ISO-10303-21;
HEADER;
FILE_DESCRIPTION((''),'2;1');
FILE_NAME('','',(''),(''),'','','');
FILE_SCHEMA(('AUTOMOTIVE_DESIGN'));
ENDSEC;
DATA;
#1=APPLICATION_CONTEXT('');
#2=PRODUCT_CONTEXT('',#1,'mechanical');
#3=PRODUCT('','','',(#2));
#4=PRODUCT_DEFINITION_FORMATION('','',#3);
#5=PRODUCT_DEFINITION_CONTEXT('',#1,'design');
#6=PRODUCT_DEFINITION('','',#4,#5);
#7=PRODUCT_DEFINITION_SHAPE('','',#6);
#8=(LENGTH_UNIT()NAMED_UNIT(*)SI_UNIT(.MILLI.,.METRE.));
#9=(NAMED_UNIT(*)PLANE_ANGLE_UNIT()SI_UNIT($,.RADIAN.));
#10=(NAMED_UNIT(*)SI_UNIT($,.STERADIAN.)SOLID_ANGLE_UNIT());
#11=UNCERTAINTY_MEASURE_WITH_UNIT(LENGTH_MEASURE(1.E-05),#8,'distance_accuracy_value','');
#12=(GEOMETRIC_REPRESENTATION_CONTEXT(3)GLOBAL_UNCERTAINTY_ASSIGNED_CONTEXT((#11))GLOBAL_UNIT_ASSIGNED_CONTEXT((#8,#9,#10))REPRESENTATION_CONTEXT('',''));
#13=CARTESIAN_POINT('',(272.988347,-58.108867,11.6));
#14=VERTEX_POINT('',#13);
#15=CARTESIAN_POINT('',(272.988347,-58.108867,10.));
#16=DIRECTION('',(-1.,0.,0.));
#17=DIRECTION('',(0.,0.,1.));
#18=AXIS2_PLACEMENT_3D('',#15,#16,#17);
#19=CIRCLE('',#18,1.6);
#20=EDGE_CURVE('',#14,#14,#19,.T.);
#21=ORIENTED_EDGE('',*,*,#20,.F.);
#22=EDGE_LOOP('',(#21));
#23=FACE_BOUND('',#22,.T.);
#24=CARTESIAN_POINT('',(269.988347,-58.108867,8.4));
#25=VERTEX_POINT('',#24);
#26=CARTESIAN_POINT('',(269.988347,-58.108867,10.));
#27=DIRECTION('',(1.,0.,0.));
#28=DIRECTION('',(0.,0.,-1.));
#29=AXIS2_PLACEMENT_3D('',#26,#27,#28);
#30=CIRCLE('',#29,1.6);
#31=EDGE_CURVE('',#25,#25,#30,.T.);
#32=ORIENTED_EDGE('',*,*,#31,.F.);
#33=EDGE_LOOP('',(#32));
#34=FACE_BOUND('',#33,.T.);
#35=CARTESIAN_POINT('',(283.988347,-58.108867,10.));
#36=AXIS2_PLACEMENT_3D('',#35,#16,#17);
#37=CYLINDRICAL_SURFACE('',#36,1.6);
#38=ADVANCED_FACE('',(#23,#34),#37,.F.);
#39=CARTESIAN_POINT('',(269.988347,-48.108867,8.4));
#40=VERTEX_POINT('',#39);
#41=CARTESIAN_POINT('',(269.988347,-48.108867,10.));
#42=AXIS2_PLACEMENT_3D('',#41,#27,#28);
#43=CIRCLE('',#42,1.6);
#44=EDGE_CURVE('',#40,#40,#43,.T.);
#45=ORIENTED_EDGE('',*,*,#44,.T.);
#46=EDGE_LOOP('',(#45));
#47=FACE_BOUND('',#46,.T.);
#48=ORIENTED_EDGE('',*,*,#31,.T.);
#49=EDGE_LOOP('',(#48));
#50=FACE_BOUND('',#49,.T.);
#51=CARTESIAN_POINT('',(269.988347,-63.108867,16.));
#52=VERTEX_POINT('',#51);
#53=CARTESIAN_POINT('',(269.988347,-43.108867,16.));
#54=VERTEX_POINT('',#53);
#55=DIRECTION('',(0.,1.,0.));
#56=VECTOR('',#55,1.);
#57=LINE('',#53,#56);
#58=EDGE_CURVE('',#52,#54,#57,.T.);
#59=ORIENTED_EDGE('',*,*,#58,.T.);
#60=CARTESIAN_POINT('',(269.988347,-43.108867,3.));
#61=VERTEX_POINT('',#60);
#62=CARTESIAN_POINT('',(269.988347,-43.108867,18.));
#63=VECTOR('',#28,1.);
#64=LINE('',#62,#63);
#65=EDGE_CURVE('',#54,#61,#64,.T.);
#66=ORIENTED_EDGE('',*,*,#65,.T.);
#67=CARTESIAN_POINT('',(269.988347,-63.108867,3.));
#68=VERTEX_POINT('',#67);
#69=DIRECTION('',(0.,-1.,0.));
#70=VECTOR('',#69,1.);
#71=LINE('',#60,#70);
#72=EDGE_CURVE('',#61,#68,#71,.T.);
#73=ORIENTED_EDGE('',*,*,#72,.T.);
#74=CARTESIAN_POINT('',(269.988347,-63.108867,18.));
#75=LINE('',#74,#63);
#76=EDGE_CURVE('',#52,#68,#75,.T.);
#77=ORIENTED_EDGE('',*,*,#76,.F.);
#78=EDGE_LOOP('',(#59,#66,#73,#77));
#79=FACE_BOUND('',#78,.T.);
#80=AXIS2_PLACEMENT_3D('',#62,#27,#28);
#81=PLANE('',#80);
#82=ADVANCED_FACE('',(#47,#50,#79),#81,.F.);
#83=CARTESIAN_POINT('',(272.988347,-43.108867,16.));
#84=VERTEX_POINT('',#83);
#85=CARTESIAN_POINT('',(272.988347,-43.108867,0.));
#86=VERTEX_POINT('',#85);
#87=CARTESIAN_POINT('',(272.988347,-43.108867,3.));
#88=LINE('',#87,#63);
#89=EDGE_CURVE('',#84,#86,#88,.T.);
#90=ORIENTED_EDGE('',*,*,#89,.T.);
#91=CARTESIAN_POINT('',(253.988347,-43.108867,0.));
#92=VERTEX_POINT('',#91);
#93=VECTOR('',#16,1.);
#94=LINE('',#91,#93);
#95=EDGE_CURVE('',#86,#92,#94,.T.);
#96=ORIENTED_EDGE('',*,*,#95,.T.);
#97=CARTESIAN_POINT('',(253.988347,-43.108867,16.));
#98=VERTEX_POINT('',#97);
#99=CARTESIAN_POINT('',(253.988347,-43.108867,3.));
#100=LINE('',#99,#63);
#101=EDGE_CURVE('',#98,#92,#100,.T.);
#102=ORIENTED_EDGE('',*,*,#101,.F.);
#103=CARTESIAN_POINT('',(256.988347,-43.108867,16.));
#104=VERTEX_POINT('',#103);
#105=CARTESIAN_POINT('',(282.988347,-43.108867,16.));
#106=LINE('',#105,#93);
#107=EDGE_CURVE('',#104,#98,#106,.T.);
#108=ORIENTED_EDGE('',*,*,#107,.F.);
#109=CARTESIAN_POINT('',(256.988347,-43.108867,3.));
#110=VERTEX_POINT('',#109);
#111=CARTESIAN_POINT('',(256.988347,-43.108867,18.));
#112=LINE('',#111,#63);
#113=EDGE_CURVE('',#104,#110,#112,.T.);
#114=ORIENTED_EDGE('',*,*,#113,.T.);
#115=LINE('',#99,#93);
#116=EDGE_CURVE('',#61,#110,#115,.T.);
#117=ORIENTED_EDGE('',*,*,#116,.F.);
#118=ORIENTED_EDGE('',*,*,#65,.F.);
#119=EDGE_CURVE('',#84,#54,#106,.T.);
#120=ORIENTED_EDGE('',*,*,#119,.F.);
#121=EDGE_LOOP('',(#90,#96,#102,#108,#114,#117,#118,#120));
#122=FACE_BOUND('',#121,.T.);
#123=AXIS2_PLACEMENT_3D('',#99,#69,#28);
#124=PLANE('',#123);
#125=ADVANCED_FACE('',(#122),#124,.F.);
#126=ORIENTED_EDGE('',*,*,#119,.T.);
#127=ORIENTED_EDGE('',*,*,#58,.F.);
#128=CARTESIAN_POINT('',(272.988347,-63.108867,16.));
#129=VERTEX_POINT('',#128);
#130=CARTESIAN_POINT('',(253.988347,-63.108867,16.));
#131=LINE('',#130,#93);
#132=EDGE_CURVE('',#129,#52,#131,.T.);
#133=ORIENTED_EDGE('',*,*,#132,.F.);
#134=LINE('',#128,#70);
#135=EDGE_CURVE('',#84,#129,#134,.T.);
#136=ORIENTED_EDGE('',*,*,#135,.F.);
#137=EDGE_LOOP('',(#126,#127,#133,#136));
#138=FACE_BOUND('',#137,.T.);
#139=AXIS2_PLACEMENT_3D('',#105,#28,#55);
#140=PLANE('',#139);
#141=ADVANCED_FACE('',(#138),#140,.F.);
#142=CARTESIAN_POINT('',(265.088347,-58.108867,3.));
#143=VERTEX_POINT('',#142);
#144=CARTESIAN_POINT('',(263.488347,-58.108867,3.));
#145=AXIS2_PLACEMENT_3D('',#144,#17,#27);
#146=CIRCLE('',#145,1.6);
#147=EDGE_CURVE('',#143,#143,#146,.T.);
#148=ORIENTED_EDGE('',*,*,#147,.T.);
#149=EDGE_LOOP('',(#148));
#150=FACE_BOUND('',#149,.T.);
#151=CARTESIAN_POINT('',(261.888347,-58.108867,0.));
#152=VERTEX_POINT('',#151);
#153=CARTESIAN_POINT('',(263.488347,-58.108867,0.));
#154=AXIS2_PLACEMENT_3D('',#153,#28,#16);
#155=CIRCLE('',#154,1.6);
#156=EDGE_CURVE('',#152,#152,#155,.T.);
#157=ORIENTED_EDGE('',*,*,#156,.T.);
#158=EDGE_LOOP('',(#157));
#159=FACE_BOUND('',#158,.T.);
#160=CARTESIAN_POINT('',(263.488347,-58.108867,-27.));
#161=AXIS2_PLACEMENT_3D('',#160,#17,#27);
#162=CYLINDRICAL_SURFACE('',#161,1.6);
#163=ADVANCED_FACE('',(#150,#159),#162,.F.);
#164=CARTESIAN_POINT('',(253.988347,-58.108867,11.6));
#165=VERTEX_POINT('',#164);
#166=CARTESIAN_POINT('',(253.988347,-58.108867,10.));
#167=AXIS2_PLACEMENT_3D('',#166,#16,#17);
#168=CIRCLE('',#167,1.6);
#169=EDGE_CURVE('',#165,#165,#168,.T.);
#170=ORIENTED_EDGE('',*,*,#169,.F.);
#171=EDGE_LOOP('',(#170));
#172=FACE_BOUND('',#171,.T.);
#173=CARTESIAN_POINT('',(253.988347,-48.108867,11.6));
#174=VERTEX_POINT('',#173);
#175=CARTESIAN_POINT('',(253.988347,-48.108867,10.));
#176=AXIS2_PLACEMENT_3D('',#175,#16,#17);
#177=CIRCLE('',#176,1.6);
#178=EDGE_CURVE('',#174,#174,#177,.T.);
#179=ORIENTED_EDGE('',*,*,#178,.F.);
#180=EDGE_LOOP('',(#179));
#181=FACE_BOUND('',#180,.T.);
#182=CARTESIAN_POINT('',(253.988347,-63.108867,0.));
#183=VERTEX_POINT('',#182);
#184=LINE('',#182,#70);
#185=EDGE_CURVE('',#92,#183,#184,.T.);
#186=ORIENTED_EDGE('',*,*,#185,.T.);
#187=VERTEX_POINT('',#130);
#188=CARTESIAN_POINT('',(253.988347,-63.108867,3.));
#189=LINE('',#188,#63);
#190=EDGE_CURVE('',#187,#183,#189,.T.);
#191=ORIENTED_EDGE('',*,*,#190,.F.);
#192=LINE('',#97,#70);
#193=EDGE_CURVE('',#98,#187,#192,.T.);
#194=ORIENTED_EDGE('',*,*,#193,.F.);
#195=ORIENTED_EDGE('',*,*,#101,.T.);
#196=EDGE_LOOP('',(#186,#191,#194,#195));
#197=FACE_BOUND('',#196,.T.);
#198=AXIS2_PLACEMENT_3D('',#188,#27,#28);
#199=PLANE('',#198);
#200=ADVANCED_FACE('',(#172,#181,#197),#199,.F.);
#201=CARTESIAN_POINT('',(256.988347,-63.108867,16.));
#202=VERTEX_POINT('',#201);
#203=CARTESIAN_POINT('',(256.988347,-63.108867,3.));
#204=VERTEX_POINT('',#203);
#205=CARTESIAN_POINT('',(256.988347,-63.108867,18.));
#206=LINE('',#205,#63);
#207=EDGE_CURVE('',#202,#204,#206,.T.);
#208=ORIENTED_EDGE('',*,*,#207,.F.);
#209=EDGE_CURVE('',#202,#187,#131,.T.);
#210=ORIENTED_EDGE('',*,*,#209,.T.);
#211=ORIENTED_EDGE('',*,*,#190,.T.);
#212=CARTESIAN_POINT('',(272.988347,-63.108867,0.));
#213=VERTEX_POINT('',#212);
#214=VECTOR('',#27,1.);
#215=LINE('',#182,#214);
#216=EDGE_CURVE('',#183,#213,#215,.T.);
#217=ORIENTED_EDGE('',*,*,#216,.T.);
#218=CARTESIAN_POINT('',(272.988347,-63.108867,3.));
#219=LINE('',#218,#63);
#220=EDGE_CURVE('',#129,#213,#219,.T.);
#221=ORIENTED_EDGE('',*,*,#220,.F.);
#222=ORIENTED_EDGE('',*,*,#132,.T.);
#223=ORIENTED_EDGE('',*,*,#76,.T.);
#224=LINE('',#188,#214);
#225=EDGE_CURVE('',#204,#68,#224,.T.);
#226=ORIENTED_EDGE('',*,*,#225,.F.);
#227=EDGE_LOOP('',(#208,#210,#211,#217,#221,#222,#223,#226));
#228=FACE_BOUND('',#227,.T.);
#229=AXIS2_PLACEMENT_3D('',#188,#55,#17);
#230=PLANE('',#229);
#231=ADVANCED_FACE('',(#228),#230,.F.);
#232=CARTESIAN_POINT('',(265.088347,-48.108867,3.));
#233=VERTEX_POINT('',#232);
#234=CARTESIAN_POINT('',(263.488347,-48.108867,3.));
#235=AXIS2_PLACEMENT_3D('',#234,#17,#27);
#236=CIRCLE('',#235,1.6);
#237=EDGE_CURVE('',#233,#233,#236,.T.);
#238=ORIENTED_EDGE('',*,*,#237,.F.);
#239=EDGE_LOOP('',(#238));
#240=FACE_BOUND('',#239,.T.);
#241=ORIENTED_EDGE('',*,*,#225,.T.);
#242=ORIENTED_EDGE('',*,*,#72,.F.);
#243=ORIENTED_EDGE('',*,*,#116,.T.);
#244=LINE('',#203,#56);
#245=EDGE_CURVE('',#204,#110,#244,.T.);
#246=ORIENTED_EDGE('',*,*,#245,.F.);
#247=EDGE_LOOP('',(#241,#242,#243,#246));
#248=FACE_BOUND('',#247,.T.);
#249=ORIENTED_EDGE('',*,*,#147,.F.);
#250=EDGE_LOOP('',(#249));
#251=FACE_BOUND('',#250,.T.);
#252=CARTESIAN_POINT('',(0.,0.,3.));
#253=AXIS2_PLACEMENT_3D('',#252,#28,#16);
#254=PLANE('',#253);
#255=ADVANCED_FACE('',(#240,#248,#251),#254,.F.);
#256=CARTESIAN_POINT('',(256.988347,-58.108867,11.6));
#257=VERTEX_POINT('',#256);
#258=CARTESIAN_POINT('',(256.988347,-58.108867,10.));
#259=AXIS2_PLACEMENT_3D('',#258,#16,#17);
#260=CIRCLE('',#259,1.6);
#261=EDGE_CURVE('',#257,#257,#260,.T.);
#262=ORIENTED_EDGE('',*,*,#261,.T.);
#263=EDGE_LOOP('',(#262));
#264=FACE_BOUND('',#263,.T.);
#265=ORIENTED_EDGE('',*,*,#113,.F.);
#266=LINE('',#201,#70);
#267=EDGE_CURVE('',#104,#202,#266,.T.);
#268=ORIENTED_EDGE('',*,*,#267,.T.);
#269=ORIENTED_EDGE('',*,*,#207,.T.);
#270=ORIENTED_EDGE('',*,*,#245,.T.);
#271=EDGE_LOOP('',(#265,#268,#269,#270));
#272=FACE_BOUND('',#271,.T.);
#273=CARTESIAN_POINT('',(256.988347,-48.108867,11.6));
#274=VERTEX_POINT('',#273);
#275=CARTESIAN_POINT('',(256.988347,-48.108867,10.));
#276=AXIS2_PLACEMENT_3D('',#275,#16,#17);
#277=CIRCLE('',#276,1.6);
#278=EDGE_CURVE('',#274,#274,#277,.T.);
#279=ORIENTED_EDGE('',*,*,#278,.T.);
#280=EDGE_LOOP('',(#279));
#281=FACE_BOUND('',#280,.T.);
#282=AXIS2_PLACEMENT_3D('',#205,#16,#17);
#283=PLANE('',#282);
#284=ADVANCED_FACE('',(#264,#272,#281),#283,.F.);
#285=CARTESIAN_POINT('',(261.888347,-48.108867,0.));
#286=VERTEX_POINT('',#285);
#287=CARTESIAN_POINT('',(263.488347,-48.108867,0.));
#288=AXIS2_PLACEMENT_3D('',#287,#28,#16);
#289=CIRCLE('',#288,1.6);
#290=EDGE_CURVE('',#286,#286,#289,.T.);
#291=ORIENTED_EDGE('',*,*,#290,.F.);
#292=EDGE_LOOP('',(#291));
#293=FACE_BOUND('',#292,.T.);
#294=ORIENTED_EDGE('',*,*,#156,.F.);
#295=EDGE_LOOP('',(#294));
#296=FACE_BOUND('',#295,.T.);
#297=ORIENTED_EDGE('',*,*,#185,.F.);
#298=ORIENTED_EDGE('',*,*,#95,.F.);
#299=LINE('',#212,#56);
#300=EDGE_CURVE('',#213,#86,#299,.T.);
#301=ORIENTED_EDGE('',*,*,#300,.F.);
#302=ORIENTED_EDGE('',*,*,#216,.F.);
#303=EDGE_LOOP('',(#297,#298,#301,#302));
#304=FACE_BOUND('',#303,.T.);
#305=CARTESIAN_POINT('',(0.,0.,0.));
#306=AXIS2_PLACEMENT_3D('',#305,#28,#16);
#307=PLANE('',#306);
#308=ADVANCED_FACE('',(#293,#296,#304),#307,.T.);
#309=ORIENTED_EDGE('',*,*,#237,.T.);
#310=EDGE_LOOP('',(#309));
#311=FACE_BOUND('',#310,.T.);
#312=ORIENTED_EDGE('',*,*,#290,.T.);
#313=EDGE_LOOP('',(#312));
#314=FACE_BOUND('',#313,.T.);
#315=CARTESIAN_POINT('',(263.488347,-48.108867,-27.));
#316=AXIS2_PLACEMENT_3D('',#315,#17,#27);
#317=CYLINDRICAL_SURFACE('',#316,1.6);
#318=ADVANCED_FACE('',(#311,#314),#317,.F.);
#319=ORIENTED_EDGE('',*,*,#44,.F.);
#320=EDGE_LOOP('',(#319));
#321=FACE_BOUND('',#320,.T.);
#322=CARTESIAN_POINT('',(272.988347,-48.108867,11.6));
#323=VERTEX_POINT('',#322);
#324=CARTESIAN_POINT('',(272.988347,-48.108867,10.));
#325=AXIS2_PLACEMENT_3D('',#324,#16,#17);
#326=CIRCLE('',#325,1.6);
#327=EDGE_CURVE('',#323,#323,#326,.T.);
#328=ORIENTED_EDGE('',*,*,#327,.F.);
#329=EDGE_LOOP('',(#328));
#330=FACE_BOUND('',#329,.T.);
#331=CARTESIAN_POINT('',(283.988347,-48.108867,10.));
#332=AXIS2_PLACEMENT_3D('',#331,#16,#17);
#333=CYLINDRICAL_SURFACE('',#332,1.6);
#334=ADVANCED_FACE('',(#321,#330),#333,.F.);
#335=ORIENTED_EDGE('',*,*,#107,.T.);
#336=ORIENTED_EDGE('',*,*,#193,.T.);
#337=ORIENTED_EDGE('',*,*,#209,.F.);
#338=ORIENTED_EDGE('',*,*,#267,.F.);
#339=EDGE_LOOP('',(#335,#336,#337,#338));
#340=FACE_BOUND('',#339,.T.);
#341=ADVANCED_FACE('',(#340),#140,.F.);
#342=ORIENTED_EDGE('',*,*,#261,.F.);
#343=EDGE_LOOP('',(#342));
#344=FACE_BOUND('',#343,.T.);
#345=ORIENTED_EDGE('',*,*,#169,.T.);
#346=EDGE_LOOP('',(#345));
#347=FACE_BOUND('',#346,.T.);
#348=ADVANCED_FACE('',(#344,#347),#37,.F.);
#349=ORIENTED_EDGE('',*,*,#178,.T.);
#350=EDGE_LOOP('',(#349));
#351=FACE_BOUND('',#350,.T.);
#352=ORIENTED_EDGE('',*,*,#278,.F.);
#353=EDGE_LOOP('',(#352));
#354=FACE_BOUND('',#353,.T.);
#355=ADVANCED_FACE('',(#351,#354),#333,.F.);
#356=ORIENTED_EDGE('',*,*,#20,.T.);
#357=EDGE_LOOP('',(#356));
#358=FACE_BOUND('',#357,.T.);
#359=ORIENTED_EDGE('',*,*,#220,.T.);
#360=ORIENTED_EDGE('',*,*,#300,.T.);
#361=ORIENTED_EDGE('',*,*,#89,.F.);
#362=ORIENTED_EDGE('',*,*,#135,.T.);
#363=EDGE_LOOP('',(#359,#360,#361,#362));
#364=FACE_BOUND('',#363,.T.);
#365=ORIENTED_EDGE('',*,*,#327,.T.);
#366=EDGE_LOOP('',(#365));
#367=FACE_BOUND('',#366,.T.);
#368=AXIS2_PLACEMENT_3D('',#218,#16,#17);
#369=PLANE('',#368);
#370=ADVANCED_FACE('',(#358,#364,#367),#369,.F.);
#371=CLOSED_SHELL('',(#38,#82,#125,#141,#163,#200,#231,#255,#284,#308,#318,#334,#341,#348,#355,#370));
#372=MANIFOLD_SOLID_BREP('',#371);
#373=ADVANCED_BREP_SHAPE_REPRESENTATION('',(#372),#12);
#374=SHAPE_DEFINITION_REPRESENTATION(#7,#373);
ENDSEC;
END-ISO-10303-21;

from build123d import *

# Parameters (mm, degrees)
SKETCH_1_W          = 19
SKETCH_1_H          = 20
EXTRUDE_1_DEPTH     = 3
SKETCH_2_W          = 3
SKETCH_2_H          = 20
EXTRUDE_2_DEPTH     = 15
SKETCH_3_R          = 1.6
CUT_EXTRUDE_1_DEPTH = 30
SKETCH_4_R          = 1.6
CUT_EXTRUDE_2_DEPTH = 30
SKETCH_5_W          = 9.97361981
SKETCH_5_H          = 25.467578512
CUT_EXTRUDE_3_DEPTH = 29


with BuildPart() as part:
    # 草图1 → 凸台-拉伸1 (new body)
    with BuildSketch(Plane.XY):
        with Locations((263.488347113, -53.108866795)):
            Rectangle(SKETCH_1_W, SKETCH_1_H)
    extrude(amount=EXTRUDE_1_DEPTH)

    # 草图2 → 凸台-拉伸2 (add)
    with BuildSketch(Plane.XY.offset(3)):
        with Locations((255.488347113, -53.108866795)):
            Rectangle(SKETCH_2_W, SKETCH_2_H)
        with Locations((271.488347113, -53.108866795)):
            Rectangle(SKETCH_2_W, SKETCH_2_H)
    extrude(amount=EXTRUDE_2_DEPTH)

    # 草图3 → 切除-拉伸1 (cut)
    with BuildSketch(Plane.ZY.offset(-253.988347113)):
        with Locations((10, -48.108866795)):
            Circle(SKETCH_3_R)
        with Locations((10, -58.108866795)):
            Circle(SKETCH_3_R)
    extrude(amount=-CUT_EXTRUDE_1_DEPTH, mode=Mode.SUBTRACT)

    # 草图4 → 切除-拉伸2 (cut)
    with BuildSketch(Plane.XY.offset(3)):
        with Locations((263.488347113, -48.108866795)):
            Circle(SKETCH_4_R)
        with Locations((263.488347113, -58.108866795)):
            Circle(SKETCH_4_R)
    extrude(amount=-CUT_EXTRUDE_2_DEPTH, mode=Mode.SUBTRACT)

    # 草图5 → 切除-拉伸3 (cut)
    with BuildSketch(Plane.ZY.offset(-253.988347113)):
        with Locations((20.986809905, -55.842656051)):
            Rectangle(SKETCH_5_W, SKETCH_5_H)
    extrude(amount=-CUT_EXTRUDE_3_DEPTH, mode=Mode.SUBTRACT)


solid = part.part
